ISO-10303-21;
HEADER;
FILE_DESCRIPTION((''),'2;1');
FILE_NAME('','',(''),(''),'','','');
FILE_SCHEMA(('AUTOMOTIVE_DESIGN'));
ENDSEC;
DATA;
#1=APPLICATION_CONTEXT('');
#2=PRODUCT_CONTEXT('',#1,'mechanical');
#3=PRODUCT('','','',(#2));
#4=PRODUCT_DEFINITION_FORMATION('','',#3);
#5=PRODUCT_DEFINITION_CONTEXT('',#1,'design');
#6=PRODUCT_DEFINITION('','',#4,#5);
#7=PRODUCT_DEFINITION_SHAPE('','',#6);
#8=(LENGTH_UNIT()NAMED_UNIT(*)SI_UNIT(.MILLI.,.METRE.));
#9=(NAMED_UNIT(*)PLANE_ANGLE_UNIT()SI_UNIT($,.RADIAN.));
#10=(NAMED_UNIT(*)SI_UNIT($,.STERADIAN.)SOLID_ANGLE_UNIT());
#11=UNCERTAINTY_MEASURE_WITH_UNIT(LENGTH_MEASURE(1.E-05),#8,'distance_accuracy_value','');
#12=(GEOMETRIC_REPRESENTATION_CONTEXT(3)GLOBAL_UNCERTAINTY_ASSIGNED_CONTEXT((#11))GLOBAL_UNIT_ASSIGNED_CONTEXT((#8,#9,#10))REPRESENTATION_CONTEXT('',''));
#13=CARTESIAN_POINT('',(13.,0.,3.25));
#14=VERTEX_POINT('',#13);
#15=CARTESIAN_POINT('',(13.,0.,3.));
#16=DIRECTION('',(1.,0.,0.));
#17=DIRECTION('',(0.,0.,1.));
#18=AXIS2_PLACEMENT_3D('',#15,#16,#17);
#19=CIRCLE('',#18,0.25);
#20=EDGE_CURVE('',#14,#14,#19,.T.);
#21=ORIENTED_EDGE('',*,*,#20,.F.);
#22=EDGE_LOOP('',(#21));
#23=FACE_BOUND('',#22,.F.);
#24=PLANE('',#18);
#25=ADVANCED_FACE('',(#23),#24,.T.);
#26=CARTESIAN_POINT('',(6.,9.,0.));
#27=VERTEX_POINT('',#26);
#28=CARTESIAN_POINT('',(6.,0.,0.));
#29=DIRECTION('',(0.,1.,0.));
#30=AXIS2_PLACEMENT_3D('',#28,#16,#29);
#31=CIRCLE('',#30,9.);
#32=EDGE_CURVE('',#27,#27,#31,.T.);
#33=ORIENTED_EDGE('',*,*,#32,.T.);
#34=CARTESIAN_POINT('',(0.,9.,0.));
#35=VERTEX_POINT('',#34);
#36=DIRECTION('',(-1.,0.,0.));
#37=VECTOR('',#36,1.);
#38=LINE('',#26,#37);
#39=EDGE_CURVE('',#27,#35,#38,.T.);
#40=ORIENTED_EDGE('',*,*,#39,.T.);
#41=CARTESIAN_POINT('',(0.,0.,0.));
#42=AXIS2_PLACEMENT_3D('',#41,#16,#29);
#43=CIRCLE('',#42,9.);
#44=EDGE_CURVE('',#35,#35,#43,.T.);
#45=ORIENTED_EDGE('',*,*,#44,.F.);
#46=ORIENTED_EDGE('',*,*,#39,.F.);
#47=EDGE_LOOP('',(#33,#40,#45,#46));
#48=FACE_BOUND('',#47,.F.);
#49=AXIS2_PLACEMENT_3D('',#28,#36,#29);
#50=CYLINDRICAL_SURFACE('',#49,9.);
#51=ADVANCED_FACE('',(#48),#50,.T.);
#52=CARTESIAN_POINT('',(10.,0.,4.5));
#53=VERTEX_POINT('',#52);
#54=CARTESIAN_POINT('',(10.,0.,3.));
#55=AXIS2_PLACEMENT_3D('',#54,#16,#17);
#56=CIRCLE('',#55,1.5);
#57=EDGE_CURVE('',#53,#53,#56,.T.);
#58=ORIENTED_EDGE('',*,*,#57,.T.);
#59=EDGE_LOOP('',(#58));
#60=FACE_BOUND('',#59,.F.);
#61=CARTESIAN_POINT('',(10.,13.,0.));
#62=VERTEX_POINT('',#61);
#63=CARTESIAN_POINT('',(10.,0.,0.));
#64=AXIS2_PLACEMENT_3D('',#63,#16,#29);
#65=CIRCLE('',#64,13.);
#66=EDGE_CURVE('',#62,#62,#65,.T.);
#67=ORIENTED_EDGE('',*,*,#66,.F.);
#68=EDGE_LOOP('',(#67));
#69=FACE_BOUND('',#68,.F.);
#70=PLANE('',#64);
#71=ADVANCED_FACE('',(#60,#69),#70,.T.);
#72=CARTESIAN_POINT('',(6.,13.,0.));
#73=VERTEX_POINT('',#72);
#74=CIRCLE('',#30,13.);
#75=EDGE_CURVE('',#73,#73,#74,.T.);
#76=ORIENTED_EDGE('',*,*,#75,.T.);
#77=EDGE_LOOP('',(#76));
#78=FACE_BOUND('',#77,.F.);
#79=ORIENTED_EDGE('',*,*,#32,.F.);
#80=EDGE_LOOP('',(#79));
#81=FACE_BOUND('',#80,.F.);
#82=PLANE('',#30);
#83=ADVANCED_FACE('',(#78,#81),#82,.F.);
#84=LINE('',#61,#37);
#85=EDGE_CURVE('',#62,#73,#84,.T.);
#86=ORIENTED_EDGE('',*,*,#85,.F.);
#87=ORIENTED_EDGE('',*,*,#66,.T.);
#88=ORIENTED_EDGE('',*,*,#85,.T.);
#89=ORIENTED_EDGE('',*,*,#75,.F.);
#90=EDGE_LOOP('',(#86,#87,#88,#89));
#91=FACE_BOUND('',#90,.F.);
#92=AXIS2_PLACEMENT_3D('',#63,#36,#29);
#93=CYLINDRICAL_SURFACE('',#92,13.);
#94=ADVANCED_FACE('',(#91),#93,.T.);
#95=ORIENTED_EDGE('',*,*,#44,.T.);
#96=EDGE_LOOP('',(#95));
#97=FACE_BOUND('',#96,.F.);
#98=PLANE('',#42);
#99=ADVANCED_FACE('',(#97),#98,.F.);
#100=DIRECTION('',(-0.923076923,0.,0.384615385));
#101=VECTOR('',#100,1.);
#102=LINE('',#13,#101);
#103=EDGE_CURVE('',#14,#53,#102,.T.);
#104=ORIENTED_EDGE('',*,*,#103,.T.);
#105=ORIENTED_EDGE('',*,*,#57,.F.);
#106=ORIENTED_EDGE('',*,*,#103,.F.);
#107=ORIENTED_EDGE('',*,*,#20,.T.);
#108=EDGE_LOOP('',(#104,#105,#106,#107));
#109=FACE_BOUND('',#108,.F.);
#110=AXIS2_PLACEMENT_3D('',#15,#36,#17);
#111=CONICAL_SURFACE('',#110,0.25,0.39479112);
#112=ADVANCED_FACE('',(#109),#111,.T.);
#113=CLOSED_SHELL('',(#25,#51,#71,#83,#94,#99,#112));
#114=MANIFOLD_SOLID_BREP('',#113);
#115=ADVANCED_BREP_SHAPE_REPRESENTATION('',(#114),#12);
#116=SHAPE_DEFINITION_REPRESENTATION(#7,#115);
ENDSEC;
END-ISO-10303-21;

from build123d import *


with BuildPart() as f1:
    # F0 (on Top) → F1 (revolve)
    with BuildSketch(Plane.XY):
        Polygon((0, 9), (0, 0), (10, 0), (10, 13), (6, 13), (6, 9), align=None)
    revolve(axis=Axis((5, 0, 0), (1, 0, 0)))

    # F2 (on Front) → F3 (revolve)
    with BuildSketch(Plane.XZ):
        Polygon((10, 4.5), (10, 3), (13, 3), (13, 3.25), align=None)
    revolve(axis=Axis((11.5, 0, 3), (1, 0, 0)))


solid = f1.part
